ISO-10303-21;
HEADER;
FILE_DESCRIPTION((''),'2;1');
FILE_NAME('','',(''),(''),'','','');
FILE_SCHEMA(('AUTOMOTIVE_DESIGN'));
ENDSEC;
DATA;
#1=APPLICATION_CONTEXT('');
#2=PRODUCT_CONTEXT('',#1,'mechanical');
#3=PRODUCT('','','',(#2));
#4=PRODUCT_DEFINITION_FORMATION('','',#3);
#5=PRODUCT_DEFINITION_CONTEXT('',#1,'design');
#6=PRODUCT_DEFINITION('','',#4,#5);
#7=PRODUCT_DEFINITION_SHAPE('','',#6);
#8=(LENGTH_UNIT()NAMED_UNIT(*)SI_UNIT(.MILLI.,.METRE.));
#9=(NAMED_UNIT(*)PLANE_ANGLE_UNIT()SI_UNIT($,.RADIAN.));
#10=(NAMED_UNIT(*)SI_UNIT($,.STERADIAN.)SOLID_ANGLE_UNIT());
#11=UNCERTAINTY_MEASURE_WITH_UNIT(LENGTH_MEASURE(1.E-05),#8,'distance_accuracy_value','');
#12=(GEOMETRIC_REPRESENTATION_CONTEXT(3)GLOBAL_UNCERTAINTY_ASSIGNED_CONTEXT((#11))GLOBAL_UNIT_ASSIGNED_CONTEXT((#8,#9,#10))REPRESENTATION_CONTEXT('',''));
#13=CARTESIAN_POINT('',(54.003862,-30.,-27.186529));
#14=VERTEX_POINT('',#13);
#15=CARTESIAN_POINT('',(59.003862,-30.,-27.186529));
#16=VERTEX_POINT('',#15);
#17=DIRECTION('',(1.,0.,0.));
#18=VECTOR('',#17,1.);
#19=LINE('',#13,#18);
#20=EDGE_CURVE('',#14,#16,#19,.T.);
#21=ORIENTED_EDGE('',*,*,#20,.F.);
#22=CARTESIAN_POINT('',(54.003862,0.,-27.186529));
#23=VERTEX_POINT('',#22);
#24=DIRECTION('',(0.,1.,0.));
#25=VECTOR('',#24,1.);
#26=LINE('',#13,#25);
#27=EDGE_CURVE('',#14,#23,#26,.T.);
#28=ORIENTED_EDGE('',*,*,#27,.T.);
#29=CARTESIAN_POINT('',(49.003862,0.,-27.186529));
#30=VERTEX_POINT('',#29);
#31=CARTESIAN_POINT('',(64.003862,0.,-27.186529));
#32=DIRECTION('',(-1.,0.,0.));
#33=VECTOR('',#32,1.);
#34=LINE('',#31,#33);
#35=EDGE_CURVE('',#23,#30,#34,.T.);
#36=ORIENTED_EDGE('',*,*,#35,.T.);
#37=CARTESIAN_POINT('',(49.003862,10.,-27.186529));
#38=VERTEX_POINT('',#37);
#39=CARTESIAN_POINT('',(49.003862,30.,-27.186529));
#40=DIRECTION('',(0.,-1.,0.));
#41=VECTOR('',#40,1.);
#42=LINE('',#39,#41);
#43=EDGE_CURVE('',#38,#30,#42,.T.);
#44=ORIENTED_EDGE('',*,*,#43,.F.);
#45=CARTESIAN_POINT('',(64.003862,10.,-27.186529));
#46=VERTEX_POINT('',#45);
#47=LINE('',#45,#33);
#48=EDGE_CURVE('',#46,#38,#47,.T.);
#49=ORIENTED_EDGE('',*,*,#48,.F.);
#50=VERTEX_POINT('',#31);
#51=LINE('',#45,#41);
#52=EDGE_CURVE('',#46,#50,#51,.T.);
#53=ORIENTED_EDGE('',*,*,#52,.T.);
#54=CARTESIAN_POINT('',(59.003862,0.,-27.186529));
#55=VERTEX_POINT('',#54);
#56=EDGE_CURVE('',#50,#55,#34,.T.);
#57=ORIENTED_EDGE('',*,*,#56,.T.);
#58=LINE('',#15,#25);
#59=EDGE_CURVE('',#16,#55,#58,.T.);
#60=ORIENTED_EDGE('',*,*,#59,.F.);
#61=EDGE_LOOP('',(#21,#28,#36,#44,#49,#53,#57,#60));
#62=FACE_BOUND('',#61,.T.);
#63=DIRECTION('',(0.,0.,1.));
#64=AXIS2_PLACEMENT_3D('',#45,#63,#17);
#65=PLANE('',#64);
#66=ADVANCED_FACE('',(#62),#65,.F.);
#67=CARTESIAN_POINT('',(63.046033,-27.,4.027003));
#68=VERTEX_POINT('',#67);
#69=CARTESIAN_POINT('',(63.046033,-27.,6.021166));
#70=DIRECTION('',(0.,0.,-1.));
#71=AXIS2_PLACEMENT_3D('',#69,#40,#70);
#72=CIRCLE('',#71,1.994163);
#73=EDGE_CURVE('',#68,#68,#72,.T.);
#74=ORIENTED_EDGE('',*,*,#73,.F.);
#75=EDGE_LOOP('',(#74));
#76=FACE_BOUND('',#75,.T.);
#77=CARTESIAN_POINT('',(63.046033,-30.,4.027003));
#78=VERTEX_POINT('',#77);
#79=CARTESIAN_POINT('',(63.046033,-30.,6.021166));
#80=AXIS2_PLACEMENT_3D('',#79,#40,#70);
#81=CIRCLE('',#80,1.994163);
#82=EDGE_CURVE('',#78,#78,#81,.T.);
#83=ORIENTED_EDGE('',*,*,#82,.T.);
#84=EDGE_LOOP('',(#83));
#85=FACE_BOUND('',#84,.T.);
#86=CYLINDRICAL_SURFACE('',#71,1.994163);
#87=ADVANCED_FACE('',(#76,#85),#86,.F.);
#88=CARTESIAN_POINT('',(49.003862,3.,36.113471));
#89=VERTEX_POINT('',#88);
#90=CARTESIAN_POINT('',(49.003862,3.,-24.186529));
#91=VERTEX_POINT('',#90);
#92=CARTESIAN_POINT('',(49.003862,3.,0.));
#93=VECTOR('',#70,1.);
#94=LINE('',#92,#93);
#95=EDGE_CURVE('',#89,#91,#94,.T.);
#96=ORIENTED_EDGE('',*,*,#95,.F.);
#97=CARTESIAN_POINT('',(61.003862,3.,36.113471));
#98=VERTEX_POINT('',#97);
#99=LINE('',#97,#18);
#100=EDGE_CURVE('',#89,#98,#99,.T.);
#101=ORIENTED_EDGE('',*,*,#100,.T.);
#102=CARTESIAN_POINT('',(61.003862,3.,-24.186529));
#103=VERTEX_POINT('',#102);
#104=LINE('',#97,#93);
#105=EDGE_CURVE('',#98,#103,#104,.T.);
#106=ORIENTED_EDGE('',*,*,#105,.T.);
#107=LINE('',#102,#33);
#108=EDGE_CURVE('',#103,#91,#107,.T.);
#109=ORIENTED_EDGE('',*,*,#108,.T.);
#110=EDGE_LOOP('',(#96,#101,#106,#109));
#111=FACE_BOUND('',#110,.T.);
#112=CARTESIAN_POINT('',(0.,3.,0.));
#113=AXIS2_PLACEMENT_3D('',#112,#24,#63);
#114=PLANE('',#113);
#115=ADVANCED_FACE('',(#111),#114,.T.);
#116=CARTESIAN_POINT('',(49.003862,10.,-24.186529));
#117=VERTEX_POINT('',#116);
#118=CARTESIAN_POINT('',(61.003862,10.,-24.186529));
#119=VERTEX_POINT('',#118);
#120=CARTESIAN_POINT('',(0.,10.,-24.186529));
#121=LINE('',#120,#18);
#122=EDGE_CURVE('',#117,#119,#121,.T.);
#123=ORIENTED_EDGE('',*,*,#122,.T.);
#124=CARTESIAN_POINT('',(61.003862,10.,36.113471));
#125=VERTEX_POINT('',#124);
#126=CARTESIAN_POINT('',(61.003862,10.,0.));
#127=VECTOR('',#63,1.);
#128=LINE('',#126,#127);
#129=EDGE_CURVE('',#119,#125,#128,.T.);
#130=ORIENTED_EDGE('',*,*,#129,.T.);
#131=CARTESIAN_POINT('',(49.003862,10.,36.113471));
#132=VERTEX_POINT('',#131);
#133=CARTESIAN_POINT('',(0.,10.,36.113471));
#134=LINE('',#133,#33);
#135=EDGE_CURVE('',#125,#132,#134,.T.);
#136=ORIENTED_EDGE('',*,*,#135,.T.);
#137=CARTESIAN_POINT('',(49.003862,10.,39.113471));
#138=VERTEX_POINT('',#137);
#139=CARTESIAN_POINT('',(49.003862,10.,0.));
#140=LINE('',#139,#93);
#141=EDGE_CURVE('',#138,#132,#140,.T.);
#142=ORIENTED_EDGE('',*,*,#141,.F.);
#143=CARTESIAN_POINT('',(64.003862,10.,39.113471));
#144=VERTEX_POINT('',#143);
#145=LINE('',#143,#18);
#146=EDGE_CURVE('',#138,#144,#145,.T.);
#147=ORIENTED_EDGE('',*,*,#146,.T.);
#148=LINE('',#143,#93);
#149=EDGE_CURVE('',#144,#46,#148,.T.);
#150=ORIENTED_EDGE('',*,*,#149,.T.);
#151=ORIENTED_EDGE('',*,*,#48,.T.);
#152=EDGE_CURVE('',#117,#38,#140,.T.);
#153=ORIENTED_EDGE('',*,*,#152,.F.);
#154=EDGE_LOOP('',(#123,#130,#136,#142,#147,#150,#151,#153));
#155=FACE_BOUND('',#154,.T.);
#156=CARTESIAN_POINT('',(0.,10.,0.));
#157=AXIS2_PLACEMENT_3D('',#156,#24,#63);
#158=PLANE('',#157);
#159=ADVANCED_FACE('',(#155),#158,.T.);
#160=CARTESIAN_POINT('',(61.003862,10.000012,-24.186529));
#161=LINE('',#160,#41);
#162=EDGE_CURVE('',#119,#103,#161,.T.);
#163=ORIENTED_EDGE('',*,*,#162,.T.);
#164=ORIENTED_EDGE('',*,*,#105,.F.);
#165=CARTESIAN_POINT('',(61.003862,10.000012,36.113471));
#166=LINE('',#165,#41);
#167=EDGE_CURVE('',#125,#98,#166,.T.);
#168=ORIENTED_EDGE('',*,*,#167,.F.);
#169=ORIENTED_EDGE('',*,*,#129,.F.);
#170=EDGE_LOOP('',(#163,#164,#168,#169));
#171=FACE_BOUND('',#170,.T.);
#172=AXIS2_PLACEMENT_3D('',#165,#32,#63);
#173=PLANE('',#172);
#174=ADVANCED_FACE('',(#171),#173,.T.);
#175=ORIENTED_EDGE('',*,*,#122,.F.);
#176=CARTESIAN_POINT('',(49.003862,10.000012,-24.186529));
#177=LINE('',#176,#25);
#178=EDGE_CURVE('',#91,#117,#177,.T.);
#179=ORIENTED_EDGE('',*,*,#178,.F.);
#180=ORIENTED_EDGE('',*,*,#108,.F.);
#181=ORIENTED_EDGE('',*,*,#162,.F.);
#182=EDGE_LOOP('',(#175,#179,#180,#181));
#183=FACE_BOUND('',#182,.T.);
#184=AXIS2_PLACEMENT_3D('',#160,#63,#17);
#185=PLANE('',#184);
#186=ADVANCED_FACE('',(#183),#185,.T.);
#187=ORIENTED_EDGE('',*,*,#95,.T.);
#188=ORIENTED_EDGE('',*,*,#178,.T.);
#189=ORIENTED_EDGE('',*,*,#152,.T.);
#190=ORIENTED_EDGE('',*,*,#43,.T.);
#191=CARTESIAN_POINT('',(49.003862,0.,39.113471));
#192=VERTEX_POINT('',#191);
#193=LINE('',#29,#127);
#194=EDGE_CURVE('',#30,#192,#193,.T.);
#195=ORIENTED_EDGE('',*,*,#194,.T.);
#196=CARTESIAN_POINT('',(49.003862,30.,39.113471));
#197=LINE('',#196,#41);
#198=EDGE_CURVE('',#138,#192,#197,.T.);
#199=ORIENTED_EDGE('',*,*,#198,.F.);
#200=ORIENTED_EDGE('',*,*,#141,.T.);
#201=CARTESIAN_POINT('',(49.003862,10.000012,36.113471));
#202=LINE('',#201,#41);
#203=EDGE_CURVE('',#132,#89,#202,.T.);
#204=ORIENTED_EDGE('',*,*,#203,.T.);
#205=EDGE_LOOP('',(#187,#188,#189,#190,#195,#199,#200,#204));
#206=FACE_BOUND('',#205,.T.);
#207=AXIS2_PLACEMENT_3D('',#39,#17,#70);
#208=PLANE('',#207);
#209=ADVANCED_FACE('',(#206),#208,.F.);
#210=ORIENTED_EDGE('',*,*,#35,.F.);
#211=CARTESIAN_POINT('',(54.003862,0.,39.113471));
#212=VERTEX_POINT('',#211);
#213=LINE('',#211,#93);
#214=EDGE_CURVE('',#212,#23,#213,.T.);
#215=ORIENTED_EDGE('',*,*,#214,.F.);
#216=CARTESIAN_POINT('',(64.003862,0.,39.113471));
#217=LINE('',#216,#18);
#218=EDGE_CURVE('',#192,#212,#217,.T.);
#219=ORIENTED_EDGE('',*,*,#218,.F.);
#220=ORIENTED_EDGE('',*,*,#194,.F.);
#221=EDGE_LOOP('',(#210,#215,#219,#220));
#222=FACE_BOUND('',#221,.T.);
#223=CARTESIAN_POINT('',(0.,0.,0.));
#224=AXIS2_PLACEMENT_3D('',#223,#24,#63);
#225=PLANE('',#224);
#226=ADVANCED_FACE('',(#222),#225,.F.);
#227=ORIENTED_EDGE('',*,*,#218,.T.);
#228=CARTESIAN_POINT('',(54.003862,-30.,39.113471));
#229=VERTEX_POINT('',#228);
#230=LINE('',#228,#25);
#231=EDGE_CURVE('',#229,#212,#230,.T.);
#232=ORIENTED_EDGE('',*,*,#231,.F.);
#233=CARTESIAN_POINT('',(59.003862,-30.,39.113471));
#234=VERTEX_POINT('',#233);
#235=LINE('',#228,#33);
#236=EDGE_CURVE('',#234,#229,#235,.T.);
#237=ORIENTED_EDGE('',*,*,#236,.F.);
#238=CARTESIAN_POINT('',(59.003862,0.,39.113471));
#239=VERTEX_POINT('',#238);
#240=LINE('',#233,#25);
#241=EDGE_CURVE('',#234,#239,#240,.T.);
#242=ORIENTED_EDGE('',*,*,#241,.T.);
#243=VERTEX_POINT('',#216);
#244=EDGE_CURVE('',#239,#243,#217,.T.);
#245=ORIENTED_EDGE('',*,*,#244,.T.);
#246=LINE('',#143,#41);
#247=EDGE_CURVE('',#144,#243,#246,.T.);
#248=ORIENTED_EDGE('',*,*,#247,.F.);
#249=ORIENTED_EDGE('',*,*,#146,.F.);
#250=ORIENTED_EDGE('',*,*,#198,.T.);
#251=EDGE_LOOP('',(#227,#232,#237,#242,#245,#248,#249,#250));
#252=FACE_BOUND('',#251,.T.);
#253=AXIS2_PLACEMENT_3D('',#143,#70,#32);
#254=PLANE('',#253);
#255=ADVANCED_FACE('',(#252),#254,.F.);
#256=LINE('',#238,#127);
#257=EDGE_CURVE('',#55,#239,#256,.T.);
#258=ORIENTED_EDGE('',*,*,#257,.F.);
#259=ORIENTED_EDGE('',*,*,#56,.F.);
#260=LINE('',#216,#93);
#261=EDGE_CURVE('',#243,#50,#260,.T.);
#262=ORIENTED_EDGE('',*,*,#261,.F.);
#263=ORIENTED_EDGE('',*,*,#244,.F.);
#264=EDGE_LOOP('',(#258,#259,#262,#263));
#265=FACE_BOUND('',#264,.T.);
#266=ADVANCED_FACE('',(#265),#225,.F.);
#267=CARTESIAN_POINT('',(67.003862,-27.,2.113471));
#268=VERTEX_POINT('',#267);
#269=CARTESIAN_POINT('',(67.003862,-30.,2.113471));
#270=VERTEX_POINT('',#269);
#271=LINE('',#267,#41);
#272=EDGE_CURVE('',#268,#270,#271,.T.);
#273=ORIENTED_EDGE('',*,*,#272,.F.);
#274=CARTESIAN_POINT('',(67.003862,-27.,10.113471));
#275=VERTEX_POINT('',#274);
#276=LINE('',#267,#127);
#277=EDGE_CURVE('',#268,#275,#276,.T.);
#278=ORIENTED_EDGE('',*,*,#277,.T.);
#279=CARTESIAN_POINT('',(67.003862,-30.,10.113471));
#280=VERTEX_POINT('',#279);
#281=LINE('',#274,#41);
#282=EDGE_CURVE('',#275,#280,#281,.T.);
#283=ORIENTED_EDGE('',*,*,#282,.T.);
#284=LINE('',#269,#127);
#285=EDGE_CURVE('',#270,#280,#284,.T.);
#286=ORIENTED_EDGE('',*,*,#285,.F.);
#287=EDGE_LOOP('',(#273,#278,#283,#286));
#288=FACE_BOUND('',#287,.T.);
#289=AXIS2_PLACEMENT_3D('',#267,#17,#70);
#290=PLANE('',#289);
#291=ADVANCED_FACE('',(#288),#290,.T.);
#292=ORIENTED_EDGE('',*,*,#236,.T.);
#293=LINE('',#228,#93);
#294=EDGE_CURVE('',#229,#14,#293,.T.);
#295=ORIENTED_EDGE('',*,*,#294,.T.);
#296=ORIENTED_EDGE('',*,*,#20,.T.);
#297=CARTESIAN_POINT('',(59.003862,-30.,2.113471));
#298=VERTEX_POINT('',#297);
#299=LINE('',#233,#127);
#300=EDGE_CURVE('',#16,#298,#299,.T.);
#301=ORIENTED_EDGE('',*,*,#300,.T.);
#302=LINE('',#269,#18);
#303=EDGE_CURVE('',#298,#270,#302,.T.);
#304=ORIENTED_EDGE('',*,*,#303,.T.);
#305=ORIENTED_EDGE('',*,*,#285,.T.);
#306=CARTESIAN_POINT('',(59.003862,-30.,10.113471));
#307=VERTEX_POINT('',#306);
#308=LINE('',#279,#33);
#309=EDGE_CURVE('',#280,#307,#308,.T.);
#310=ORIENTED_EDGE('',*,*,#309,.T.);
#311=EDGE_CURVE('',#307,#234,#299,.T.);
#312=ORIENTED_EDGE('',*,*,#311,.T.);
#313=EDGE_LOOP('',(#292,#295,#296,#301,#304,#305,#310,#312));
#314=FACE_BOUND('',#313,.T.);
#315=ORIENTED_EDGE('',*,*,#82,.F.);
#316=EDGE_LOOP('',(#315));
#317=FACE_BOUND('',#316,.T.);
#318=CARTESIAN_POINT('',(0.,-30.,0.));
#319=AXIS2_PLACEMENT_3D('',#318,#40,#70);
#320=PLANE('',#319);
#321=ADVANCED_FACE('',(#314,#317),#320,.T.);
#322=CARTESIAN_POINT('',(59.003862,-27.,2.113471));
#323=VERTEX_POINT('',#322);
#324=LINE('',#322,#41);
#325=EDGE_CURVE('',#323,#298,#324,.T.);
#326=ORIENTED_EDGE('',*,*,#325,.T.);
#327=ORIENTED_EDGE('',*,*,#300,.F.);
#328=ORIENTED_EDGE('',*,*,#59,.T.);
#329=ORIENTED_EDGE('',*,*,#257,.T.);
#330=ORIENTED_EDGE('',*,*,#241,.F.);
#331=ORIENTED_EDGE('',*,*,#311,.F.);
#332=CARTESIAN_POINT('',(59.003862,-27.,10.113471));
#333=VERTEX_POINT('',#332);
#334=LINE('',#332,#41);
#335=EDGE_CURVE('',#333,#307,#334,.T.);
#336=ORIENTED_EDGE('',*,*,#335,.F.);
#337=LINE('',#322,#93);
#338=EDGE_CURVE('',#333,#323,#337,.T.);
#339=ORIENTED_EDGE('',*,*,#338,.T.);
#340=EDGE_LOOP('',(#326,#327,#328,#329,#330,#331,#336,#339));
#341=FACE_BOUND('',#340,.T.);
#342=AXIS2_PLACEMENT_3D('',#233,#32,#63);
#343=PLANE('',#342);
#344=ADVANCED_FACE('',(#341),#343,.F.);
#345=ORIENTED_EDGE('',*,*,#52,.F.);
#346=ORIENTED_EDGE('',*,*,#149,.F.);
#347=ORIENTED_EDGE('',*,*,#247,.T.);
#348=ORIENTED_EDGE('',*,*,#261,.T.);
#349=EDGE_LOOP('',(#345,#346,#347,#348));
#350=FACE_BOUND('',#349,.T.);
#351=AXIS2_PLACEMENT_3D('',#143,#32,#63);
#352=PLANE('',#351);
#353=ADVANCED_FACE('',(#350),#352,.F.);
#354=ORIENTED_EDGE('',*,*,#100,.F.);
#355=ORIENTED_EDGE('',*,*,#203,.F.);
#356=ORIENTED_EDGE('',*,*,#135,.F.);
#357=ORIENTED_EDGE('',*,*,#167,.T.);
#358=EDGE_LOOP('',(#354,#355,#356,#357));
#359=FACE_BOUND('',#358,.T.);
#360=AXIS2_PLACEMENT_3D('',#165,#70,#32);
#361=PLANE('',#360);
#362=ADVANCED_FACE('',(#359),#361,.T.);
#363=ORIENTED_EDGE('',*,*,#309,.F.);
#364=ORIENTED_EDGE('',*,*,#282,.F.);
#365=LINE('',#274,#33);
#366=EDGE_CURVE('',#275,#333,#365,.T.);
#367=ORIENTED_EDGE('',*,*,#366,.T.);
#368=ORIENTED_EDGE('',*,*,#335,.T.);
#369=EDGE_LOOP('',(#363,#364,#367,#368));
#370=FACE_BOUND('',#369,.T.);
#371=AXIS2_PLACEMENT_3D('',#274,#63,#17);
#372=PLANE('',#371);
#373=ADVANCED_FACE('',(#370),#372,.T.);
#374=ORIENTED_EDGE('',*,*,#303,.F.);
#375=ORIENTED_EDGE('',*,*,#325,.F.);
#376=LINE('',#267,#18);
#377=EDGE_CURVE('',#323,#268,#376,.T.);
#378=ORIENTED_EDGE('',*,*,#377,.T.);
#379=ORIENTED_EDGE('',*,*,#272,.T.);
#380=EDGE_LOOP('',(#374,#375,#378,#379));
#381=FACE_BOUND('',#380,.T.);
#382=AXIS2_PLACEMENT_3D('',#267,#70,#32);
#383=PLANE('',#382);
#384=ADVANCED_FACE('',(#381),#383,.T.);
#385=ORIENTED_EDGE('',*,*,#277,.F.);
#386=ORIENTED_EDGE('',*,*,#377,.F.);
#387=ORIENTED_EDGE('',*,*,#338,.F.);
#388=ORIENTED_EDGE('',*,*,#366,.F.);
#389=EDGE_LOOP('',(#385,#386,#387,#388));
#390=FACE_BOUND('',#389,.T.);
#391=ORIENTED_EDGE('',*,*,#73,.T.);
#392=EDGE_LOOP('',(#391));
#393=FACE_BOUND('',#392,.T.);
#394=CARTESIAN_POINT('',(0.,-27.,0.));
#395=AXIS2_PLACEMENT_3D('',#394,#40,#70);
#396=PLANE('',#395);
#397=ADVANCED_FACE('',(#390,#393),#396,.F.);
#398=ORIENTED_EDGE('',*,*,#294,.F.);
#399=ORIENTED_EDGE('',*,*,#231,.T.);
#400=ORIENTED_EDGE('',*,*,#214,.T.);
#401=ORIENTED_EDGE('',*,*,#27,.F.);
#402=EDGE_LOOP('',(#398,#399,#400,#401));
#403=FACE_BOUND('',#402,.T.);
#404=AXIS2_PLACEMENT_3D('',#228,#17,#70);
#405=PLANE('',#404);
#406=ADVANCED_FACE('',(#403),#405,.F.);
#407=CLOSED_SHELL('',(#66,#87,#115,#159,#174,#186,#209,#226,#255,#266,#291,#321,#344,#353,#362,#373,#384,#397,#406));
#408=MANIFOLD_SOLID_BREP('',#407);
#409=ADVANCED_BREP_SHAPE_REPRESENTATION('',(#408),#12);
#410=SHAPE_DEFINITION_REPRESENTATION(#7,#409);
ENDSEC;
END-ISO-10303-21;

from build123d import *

# Parameters (mm, degrees)
SKETCH1_W               = 177
SKETCH1_H               = 66.3
BOSS_EXTRUDE1_DEPTH     = 10
CUT_EXTRUDE1_DEPTH      = 120.991628317
CUT_EXTRUDE1_DEPTH_BACK = 7
SKETCH2_W               = 171
SKETCH2_H               = 60.3
SKETCH3_W               = 5
SKETCH3_H               = 66.3
BOSS_EXTRUDE2_DEPTH     = 30
SKETCH4_W               = 147
SKETCH4_H               = 66.3
CUT_EXTRUDE2_DEPTH      = 30
SKETCH5_W               = 8
SKETCH5_H               = 8
SKETCH5_R               = 1.899919422
SKETCH5_R_2             = 1.99416254
BOSS_EXTRUDE3_DEPTH     = 3
SKETCH6_W               = 53.200668984
SKETCH6_H               = 118.475248661
CUT_EXTRUDE3_DEPTH      = 137.93353889


with BuildPart() as part:
    # Sketch1 → Boss-Extrude1 (new body)
    with BuildSketch(Plane(origin=(0, 0, 0), x_dir=(1, 0, 0), z_dir=(0, 1, 0))):
        with Locations((-24.496138181, -5.963471112)):
            Rectangle(SKETCH1_W, SKETCH1_H)
    extrude(amount=BOSS_EXTRUDE1_DEPTH)

    # Sketch2 → Cut-Extrude1 (cut, two sides: drawn at the far end of the back side and taken through both)
    with BuildSketch(Plane(origin=(0, 10, 0), x_dir=(1, 0, 0), z_dir=(0, 1, 0)).offset(-CUT_EXTRUDE1_DEPTH_BACK)):
        with Locations((-24.496138181, -5.963471112)):
            Rectangle(SKETCH2_W, SKETCH2_H)
    extrude(amount=CUT_EXTRUDE1_DEPTH + CUT_EXTRUDE1_DEPTH_BACK, mode=Mode.SUBTRACT)

    # Sketch3 → Boss-Extrude2 (add)
    with BuildSketch(Plane.XZ):
        with Locations((-105.496138181, 5.963471112)):
            Rectangle(SKETCH3_W, SKETCH3_H)
        with Locations((56.503861819, 5.963471112)):
            Rectangle(SKETCH3_W, SKETCH3_H)
    extrude(amount=BOSS_EXTRUDE2_DEPTH)

    # Sketch4 → Cut-Extrude2 (cut)
    with BuildSketch(Plane.XZ):
        with Locations((-24.496138181, 5.963471112)):
            Rectangle(SKETCH4_W, SKETCH4_H)
    extrude(amount=-CUT_EXTRUDE2_DEPTH, mode=Mode.SUBTRACT)


with BuildPart() as cut_extrude2_piece_1:
    # of the separate pieces the step leaves, piece 1, a body of its own (cut_extrude2_pieces)
    add(part.part.solids().sort_by_distance((-97.996138181, 0, 39.113471112))[0])



with BuildPart() as cut_extrude2_piece_2:
    # of the separate pieces the step leaves, piece 2, a body of its own (cut_extrude2_pieces)
    add(part.part.solids().sort_by_distance((64.003861819, 0, 39.113471112))[0])


with BuildPart() as cut_extrude2_piece_1_1:
    add(cut_extrude2_piece_1.part)

    add(cut_extrude2_piece_2.part)  # Boss-Extrude3 merges Cut-Extrude2 piece 2
    # Sketch5 → Boss-Extrude3 (add)
    # profile 1 of 2: a face of its own
    with BuildSketch(Plane.XZ.offset(30)):
        with Locations((-111.996138181, 6.113471112)):
            Rectangle(SKETCH5_W, SKETCH5_H)
        with Locations(Location((-111.976969615, 5.996435965, 0), (0, 0, 270))):
            Circle(SKETCH5_R, mode=Mode.SUBTRACT)
    # profile 2 of 2: a face of its own
    with BuildSketch(Plane.XZ.offset(30)):
        with Locations((63.003861819, 6.113471112)):
            Rectangle(SKETCH5_W, SKETCH5_H)
        with Locations(Location((63.046032676, 6.021165831, 0), (0, 0, 270))):
            Circle(SKETCH5_R_2, mode=Mode.SUBTRACT)
    extrude(amount=-BOSS_EXTRUDE3_DEPTH)

    # Sketch6 → Cut-Extrude3 (cut, through all)
    with BuildSketch(Plane(origin=(0, 0, -27.186528888), x_dir=(-1, 0, 0), z_dir=(0, 0, -1))):
        with Locations((95.157985418, 15.958745635)):
            Rectangle(SKETCH6_W, SKETCH6_H)
    extrude(amount=-CUT_EXTRUDE3_DEPTH, mode=Mode.SUBTRACT)


solid = cut_extrude2_piece_1_1.part
